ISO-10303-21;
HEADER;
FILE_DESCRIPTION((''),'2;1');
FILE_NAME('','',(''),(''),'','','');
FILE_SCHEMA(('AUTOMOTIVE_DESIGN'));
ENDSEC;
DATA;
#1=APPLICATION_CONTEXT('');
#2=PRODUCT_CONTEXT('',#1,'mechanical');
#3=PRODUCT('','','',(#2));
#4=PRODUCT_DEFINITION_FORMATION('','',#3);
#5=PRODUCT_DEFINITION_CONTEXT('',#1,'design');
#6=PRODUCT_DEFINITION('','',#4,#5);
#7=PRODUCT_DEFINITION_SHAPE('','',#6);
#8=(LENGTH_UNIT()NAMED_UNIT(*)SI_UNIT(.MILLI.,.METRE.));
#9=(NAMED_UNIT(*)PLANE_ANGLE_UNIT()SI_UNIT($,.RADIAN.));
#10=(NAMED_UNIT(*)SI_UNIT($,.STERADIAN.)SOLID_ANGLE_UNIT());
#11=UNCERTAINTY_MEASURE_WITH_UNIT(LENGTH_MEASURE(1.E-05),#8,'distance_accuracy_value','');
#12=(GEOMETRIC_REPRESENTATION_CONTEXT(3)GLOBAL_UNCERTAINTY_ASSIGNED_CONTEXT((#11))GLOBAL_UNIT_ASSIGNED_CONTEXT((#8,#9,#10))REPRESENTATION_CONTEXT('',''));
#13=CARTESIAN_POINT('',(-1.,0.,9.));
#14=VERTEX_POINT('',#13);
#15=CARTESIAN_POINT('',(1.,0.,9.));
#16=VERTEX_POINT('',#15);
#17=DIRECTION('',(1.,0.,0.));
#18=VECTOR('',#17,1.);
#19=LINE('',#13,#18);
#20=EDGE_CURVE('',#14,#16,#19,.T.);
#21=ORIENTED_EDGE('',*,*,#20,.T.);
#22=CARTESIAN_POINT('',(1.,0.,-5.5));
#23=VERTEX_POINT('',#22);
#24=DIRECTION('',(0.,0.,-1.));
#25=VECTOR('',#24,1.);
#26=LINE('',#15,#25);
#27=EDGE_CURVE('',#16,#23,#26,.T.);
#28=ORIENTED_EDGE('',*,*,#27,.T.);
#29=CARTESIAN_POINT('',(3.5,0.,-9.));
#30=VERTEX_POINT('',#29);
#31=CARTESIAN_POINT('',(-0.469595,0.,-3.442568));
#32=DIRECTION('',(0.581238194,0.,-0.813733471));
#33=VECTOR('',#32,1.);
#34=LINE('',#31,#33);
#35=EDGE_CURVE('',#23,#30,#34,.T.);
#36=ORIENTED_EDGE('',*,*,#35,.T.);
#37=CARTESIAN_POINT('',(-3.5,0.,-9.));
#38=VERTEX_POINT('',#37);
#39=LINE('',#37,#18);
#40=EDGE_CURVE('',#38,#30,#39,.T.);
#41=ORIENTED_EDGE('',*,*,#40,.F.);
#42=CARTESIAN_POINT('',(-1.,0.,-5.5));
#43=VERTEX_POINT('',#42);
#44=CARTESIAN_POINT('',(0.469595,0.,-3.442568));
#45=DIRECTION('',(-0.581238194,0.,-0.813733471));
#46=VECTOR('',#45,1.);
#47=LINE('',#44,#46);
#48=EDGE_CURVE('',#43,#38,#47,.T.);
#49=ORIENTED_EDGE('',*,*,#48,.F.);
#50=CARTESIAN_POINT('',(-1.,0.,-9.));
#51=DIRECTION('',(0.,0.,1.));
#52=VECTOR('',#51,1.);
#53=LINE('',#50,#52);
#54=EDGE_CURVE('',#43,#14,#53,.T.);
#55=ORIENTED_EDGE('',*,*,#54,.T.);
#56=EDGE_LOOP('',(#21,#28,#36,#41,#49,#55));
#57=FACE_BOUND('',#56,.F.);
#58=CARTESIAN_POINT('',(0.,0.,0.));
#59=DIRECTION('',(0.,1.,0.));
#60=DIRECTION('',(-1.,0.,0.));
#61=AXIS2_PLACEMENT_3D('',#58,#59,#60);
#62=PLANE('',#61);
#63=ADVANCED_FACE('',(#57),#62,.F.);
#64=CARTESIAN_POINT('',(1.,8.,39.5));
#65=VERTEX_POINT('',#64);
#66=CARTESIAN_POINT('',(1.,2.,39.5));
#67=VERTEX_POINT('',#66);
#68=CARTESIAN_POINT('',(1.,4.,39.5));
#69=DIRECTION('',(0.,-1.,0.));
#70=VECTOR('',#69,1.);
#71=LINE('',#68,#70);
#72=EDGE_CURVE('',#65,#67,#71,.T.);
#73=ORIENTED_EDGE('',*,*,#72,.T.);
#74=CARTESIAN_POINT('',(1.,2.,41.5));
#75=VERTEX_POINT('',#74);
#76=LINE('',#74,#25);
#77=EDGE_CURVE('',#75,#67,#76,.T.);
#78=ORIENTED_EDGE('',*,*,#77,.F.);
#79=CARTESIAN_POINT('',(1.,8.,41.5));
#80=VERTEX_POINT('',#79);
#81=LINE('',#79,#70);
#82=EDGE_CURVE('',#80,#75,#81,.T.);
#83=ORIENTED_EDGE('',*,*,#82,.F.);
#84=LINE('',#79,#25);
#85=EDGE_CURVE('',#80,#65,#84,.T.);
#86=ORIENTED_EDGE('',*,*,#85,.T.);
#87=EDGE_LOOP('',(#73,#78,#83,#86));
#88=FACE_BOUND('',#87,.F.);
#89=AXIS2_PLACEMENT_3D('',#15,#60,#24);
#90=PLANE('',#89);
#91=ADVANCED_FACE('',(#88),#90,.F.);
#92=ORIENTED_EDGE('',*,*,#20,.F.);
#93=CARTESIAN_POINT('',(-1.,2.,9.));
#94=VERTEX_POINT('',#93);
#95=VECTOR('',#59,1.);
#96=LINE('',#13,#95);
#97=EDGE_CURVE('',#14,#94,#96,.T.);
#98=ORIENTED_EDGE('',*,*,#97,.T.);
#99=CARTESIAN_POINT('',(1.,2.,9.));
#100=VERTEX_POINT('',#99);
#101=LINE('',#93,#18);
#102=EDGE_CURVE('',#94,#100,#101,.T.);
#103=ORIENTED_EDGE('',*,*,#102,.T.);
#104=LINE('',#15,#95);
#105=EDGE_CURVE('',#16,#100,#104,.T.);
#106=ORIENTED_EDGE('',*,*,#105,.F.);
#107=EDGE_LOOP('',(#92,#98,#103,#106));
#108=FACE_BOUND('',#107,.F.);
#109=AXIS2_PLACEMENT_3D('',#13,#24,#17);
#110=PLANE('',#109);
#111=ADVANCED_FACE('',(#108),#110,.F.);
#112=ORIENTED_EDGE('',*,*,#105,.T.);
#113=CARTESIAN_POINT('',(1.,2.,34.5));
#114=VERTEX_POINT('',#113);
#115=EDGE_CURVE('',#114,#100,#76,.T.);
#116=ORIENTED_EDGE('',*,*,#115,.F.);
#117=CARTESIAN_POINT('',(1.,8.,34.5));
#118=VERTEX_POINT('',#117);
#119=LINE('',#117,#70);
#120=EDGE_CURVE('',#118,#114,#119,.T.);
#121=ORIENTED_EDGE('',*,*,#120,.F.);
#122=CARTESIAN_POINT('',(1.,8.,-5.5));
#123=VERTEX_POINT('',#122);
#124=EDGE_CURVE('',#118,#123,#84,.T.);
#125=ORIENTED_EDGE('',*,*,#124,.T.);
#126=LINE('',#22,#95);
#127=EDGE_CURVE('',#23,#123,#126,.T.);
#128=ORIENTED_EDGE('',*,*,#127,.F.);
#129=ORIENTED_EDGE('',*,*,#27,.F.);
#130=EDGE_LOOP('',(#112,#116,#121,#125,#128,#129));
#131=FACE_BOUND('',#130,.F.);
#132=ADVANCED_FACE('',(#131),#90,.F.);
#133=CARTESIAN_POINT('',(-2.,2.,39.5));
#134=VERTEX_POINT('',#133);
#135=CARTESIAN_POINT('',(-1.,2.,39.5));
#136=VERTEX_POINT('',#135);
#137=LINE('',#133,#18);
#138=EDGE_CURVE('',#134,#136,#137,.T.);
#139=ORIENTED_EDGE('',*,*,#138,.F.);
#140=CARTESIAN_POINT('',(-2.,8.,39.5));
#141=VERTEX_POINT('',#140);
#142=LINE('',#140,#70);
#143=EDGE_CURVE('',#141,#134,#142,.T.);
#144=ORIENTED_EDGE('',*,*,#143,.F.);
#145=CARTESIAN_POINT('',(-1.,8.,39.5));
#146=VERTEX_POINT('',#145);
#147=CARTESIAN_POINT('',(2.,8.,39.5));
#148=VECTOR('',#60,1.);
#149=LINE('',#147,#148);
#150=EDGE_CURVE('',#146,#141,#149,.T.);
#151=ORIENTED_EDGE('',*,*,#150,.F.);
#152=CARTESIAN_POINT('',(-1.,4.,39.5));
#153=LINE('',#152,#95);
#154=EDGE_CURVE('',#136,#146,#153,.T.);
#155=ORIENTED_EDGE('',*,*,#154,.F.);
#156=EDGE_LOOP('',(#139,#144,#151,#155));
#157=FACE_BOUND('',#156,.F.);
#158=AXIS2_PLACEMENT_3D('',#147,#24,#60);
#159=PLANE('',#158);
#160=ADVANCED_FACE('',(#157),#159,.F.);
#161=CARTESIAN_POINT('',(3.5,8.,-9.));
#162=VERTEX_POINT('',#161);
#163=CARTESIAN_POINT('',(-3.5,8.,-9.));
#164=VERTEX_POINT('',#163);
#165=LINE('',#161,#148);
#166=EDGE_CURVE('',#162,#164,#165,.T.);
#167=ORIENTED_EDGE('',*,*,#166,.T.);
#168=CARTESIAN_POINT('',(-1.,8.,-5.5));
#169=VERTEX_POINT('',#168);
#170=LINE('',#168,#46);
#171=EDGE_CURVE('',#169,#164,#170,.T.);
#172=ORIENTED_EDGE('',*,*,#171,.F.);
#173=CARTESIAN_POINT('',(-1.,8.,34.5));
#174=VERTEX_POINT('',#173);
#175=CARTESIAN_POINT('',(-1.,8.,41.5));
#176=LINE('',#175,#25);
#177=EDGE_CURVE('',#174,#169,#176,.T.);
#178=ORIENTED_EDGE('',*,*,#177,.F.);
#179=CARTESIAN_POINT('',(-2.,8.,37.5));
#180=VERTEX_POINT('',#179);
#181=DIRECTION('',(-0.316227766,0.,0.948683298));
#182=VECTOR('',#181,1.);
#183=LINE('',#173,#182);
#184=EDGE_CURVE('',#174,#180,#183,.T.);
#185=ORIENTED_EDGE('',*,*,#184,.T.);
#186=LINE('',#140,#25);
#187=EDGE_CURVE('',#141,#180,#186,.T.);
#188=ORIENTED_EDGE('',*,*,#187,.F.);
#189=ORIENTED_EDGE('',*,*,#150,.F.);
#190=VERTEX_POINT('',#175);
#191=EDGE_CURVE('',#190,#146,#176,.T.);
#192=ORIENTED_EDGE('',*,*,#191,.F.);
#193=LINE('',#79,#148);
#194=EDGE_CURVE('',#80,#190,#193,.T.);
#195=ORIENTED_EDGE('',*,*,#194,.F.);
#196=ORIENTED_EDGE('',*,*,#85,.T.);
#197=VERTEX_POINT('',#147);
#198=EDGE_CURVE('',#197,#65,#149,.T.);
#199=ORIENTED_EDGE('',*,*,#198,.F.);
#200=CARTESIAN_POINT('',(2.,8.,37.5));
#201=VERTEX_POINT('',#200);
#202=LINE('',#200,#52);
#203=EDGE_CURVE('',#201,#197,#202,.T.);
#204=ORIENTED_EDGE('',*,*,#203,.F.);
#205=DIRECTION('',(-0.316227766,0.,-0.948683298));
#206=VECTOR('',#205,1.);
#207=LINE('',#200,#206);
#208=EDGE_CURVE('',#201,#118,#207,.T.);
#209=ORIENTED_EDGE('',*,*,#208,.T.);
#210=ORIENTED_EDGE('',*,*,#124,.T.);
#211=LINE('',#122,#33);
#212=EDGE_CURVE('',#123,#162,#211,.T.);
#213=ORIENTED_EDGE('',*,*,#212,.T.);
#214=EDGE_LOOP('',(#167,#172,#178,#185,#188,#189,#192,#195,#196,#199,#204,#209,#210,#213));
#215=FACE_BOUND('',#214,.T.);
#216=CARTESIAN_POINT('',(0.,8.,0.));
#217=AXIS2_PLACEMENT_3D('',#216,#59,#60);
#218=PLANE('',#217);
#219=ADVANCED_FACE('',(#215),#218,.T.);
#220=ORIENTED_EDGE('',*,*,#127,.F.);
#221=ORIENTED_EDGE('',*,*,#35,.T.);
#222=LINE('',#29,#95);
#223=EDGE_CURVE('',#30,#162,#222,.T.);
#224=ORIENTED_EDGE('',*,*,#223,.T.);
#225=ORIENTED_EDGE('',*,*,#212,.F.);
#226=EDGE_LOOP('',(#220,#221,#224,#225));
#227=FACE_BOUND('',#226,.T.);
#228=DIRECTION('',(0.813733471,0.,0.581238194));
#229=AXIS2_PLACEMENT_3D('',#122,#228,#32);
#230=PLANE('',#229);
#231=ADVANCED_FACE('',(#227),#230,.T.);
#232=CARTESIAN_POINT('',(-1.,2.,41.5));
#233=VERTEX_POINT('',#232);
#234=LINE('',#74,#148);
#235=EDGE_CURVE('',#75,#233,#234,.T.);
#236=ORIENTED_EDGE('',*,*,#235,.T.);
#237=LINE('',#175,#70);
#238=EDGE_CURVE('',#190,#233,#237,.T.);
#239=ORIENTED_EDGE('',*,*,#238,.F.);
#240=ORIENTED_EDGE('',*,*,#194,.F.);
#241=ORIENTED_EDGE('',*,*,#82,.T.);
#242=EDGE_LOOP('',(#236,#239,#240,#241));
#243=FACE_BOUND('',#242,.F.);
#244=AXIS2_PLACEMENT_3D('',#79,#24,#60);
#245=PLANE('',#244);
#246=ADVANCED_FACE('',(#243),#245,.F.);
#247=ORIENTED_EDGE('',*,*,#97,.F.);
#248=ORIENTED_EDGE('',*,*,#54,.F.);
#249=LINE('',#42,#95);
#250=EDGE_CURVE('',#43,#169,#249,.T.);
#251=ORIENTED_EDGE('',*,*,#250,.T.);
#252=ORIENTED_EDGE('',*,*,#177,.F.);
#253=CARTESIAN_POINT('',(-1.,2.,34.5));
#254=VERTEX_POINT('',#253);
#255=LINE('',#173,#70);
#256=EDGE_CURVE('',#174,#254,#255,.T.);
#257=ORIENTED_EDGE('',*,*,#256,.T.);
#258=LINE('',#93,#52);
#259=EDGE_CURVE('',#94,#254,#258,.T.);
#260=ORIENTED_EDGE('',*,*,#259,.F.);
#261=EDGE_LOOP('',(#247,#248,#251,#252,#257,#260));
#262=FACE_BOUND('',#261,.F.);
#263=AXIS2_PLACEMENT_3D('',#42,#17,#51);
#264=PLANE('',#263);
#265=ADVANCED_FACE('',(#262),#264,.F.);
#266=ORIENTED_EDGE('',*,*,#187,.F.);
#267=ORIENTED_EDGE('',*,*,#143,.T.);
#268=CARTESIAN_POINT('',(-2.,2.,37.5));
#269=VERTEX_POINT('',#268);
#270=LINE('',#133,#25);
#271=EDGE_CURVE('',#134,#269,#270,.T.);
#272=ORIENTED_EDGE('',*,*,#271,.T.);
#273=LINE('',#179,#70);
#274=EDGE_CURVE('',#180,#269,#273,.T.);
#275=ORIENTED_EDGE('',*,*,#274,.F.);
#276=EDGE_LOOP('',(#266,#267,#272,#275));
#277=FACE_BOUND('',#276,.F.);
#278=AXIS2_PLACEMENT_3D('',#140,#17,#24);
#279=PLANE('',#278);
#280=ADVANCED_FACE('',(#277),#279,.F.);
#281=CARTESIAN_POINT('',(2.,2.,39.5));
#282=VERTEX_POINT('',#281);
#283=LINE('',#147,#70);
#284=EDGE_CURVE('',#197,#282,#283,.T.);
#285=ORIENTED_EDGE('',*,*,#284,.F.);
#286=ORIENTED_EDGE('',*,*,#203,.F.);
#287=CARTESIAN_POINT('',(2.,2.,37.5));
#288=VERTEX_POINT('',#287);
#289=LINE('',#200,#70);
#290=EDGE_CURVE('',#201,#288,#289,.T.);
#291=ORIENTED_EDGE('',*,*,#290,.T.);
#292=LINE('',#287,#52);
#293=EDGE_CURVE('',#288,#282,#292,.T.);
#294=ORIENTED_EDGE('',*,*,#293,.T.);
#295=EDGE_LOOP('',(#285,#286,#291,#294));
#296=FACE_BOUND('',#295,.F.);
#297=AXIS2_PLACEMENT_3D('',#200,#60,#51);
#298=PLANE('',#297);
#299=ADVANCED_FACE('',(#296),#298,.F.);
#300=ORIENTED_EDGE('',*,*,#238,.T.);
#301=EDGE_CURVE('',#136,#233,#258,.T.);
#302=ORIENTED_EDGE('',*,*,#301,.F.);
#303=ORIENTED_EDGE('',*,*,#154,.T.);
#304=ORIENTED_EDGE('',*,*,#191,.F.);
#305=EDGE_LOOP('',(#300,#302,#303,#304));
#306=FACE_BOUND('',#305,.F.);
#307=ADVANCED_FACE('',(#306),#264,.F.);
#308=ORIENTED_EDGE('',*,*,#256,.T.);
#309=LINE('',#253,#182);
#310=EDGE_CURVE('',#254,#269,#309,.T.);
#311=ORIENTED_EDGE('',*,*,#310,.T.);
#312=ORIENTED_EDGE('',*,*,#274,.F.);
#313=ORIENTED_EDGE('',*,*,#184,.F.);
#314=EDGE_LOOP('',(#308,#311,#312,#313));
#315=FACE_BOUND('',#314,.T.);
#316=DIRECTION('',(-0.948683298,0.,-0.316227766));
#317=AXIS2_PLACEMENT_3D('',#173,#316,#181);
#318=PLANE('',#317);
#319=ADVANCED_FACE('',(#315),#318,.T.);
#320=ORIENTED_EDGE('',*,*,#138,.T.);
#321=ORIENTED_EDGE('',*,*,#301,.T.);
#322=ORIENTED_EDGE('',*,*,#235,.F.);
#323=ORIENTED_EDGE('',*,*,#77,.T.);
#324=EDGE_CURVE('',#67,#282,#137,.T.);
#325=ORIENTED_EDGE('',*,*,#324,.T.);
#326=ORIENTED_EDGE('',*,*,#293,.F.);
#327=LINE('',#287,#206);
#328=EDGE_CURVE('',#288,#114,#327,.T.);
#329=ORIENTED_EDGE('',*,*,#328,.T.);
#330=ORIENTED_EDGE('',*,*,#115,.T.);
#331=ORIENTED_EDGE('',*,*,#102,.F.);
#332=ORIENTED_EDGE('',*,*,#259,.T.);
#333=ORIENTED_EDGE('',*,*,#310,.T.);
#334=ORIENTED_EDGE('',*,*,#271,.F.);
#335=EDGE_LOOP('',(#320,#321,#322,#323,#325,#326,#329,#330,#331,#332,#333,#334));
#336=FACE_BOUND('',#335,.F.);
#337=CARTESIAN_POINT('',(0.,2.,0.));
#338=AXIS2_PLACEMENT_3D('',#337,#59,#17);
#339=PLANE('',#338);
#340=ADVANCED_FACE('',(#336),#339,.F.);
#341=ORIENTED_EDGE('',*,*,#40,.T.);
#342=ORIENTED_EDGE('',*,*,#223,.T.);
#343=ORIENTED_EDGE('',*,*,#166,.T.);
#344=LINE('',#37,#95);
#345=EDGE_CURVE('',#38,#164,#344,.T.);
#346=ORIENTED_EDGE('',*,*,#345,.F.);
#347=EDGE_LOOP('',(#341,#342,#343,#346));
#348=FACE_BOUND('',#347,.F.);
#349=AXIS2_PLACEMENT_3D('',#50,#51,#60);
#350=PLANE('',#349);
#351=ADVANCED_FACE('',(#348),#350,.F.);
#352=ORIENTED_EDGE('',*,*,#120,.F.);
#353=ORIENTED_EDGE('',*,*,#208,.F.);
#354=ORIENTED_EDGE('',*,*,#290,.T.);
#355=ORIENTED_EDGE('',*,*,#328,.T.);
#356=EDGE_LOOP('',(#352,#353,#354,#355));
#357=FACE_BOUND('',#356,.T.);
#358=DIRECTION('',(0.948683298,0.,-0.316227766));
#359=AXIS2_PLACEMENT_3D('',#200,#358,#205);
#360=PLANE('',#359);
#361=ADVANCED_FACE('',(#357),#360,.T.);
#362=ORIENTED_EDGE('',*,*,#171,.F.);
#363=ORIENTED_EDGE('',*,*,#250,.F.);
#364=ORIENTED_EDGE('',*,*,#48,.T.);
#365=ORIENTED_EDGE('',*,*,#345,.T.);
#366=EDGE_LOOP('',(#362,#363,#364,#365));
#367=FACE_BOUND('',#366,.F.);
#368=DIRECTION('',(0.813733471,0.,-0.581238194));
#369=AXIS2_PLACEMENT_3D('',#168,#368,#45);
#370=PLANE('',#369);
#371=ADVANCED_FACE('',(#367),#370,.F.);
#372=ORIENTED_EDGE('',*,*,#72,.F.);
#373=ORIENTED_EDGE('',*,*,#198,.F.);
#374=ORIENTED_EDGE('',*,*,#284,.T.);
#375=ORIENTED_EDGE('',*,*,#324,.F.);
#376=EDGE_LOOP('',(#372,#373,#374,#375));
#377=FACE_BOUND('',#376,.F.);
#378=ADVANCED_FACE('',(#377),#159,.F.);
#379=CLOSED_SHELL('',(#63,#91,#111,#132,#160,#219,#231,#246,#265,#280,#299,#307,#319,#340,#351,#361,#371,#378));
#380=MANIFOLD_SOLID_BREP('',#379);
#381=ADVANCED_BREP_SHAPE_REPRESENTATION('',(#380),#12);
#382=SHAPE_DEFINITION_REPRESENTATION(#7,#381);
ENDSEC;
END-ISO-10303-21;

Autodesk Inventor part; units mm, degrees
ref_plane "YZ Plane" through (0, 0, 0) normal (1, 0, 0) x (0, 1, 0)
ref_plane "XZ Plane" through (0, 0, 0) normal (0, 1, 0) x (-1, 0, 0)
ref_plane "XY Plane" through (0, 0, 0) normal (0, 0, 1) x (1, 0, 0)
sketch "Sketch1" plane through (0, 0, 0) normal (0, 1, 0) x (-1, 0, 0)
  line L0 (1, 9) -> (-1, 9)
  line L1 (-1, 9) -> (-1, -9)
  line L2 (-1, -9) -> (1, -9)
  line L3 (1, -9) -> (1, 9)
  line L4 (1, 9) -> (-1, -9) construction
  line L5 (-1, 9) -> (1, -9) construction
  line L6 (3.5, -5.5) -> (-3.5, -5.5)
  line L7 (-3.5, -5.5) -> (-3.5, -9)
  line L8 (-3.5, -9) -> (3.5, -9)
  line L9 (3.5, -9) -> (3.5, -5.5)
  line L10 (0, 0) -> (0, -9)
  dimension "d0" = 2
  dimension "d2" = 18
  dimension "d3" = 7
  dimension "d4" = 3.5
extrude "Inserted Base" add sketch "Sketch1" along normal blind 8
sketch "Sketch2" plane through (0, 8, 0) normal (0, 1, 0) x (1, 0, 0)
  line L0 (3.5, 5.5) -> (3.5, 9) projected
  line L1 (1, 5.5) -> (3.5, 9)
  line L2 (1, 5.5) -> (3.5, 5.5) projected
  line L3 (3.5, 9) -> (3.5, 5.5)
  line L4 (3.5, 5.5) -> (1, 5.5)
  line L5 (-1, 5.5) -> (-3.5, 9)
  line L6 (-3.5, 9) -> (-3.5, 5.5) projected
  line L7 (-3.5, 9) -> (-3.5, 5.5)
  line L8 (-3.5, 5.5) -> (-1, 5.5) projected
  line L9 (-3.5, 5.5) -> (-1, 5.5)
  point P0 (0, 0)
extrude "Triangle Edges" cut sketch "Sketch2" against normal through all
sketch "Sketch3" plane through (0, 8, 0) normal (0, 1, 0) x (1, 0, 0)
  line L0 (-1, -9) -> (1, -9)
  line L1 (1, -9) -> (1, -41.5)
  line L2 (1, -41.5) -> (-1, -41.5)
  line L3 (-1, -41.5) -> (-1, -9)
  line L4 (1, -9) -> (1, 5.5) projected
  line L5 (-1, -39.5) -> (1, -39.5)
  line L6 (-1, 5.5) -> (-1, -9) projected
  line L7 (1, 5.5) -> (-1, 5.5)
  point P0 (0, 0)
  dimension "d9" = 2
  dimension "d14" = 45
extrude "Tab Extension" add sketch "Sketch3" against normal blind 6 contours L0 L1 L5 L3 | L5 L1 L2 L3
sketch "Sketch4" plane through (0, 8, 0) normal (0, 1, 0) x (1, 0, 0)
  line L0 (2, -39.5) -> (-2, -39.5)
  line L1 (-2, -39.5) -> (-2, -37.5)
  line L2 (-2, -37.5) -> (2, -37.5)
  line L3 (2, -37.5) -> (2, -39.5)
  line L4 (1, -9) -> (1, 5.5) projected
  line L5 (-1, 5.5) -> (-1, -9) projected
  line L6 (1, 5.5) -> (-1, 5.5)
  line L7 (0, 0) -> (0, 5.5)
  line L8 (-1, -41.5) -> (-1, -9) projected
  dimension "d13" = 45
  dimension "d15" = 2
  dimension "d16" = 1
extrude "Electrode rest" add sketch "Sketch4" against normal up to surface (6 mm away)
sketch "Sketch5" plane through (0, 8, 0) normal (0, 1, 0) x (1, 0, 0)
  line L0 (-1, -34.5) -> (1, -34.5)
  line L1 (1, -9) -> (1, -37.5) projected
  line L2 (-2, -37.5) -> (-1, -37.5) projected
  line L3 (-2, -37.5) -> (-1, -37.5)
  line L4 (-1, -34.5) -> (-2, -37.5)
  line L5 (2, -37.5) -> (1, -37.5) projected
  line L6 (1, -37.5) -> (2, -37.5)
  line L7 (2, -37.5) -> (1, -34.5)
  line L8 (-1, -37.5) -> (-1, -34.5)
  line L9 (-1, -37.5) -> (-1, -9) projected
  point P0 (0, 0)
  dimension "d19" = 3
extrude "Taper" add sketch "Sketch5" against normal up to surface (6 mm away)
properties part number "tabwtip_2mm_1128"
